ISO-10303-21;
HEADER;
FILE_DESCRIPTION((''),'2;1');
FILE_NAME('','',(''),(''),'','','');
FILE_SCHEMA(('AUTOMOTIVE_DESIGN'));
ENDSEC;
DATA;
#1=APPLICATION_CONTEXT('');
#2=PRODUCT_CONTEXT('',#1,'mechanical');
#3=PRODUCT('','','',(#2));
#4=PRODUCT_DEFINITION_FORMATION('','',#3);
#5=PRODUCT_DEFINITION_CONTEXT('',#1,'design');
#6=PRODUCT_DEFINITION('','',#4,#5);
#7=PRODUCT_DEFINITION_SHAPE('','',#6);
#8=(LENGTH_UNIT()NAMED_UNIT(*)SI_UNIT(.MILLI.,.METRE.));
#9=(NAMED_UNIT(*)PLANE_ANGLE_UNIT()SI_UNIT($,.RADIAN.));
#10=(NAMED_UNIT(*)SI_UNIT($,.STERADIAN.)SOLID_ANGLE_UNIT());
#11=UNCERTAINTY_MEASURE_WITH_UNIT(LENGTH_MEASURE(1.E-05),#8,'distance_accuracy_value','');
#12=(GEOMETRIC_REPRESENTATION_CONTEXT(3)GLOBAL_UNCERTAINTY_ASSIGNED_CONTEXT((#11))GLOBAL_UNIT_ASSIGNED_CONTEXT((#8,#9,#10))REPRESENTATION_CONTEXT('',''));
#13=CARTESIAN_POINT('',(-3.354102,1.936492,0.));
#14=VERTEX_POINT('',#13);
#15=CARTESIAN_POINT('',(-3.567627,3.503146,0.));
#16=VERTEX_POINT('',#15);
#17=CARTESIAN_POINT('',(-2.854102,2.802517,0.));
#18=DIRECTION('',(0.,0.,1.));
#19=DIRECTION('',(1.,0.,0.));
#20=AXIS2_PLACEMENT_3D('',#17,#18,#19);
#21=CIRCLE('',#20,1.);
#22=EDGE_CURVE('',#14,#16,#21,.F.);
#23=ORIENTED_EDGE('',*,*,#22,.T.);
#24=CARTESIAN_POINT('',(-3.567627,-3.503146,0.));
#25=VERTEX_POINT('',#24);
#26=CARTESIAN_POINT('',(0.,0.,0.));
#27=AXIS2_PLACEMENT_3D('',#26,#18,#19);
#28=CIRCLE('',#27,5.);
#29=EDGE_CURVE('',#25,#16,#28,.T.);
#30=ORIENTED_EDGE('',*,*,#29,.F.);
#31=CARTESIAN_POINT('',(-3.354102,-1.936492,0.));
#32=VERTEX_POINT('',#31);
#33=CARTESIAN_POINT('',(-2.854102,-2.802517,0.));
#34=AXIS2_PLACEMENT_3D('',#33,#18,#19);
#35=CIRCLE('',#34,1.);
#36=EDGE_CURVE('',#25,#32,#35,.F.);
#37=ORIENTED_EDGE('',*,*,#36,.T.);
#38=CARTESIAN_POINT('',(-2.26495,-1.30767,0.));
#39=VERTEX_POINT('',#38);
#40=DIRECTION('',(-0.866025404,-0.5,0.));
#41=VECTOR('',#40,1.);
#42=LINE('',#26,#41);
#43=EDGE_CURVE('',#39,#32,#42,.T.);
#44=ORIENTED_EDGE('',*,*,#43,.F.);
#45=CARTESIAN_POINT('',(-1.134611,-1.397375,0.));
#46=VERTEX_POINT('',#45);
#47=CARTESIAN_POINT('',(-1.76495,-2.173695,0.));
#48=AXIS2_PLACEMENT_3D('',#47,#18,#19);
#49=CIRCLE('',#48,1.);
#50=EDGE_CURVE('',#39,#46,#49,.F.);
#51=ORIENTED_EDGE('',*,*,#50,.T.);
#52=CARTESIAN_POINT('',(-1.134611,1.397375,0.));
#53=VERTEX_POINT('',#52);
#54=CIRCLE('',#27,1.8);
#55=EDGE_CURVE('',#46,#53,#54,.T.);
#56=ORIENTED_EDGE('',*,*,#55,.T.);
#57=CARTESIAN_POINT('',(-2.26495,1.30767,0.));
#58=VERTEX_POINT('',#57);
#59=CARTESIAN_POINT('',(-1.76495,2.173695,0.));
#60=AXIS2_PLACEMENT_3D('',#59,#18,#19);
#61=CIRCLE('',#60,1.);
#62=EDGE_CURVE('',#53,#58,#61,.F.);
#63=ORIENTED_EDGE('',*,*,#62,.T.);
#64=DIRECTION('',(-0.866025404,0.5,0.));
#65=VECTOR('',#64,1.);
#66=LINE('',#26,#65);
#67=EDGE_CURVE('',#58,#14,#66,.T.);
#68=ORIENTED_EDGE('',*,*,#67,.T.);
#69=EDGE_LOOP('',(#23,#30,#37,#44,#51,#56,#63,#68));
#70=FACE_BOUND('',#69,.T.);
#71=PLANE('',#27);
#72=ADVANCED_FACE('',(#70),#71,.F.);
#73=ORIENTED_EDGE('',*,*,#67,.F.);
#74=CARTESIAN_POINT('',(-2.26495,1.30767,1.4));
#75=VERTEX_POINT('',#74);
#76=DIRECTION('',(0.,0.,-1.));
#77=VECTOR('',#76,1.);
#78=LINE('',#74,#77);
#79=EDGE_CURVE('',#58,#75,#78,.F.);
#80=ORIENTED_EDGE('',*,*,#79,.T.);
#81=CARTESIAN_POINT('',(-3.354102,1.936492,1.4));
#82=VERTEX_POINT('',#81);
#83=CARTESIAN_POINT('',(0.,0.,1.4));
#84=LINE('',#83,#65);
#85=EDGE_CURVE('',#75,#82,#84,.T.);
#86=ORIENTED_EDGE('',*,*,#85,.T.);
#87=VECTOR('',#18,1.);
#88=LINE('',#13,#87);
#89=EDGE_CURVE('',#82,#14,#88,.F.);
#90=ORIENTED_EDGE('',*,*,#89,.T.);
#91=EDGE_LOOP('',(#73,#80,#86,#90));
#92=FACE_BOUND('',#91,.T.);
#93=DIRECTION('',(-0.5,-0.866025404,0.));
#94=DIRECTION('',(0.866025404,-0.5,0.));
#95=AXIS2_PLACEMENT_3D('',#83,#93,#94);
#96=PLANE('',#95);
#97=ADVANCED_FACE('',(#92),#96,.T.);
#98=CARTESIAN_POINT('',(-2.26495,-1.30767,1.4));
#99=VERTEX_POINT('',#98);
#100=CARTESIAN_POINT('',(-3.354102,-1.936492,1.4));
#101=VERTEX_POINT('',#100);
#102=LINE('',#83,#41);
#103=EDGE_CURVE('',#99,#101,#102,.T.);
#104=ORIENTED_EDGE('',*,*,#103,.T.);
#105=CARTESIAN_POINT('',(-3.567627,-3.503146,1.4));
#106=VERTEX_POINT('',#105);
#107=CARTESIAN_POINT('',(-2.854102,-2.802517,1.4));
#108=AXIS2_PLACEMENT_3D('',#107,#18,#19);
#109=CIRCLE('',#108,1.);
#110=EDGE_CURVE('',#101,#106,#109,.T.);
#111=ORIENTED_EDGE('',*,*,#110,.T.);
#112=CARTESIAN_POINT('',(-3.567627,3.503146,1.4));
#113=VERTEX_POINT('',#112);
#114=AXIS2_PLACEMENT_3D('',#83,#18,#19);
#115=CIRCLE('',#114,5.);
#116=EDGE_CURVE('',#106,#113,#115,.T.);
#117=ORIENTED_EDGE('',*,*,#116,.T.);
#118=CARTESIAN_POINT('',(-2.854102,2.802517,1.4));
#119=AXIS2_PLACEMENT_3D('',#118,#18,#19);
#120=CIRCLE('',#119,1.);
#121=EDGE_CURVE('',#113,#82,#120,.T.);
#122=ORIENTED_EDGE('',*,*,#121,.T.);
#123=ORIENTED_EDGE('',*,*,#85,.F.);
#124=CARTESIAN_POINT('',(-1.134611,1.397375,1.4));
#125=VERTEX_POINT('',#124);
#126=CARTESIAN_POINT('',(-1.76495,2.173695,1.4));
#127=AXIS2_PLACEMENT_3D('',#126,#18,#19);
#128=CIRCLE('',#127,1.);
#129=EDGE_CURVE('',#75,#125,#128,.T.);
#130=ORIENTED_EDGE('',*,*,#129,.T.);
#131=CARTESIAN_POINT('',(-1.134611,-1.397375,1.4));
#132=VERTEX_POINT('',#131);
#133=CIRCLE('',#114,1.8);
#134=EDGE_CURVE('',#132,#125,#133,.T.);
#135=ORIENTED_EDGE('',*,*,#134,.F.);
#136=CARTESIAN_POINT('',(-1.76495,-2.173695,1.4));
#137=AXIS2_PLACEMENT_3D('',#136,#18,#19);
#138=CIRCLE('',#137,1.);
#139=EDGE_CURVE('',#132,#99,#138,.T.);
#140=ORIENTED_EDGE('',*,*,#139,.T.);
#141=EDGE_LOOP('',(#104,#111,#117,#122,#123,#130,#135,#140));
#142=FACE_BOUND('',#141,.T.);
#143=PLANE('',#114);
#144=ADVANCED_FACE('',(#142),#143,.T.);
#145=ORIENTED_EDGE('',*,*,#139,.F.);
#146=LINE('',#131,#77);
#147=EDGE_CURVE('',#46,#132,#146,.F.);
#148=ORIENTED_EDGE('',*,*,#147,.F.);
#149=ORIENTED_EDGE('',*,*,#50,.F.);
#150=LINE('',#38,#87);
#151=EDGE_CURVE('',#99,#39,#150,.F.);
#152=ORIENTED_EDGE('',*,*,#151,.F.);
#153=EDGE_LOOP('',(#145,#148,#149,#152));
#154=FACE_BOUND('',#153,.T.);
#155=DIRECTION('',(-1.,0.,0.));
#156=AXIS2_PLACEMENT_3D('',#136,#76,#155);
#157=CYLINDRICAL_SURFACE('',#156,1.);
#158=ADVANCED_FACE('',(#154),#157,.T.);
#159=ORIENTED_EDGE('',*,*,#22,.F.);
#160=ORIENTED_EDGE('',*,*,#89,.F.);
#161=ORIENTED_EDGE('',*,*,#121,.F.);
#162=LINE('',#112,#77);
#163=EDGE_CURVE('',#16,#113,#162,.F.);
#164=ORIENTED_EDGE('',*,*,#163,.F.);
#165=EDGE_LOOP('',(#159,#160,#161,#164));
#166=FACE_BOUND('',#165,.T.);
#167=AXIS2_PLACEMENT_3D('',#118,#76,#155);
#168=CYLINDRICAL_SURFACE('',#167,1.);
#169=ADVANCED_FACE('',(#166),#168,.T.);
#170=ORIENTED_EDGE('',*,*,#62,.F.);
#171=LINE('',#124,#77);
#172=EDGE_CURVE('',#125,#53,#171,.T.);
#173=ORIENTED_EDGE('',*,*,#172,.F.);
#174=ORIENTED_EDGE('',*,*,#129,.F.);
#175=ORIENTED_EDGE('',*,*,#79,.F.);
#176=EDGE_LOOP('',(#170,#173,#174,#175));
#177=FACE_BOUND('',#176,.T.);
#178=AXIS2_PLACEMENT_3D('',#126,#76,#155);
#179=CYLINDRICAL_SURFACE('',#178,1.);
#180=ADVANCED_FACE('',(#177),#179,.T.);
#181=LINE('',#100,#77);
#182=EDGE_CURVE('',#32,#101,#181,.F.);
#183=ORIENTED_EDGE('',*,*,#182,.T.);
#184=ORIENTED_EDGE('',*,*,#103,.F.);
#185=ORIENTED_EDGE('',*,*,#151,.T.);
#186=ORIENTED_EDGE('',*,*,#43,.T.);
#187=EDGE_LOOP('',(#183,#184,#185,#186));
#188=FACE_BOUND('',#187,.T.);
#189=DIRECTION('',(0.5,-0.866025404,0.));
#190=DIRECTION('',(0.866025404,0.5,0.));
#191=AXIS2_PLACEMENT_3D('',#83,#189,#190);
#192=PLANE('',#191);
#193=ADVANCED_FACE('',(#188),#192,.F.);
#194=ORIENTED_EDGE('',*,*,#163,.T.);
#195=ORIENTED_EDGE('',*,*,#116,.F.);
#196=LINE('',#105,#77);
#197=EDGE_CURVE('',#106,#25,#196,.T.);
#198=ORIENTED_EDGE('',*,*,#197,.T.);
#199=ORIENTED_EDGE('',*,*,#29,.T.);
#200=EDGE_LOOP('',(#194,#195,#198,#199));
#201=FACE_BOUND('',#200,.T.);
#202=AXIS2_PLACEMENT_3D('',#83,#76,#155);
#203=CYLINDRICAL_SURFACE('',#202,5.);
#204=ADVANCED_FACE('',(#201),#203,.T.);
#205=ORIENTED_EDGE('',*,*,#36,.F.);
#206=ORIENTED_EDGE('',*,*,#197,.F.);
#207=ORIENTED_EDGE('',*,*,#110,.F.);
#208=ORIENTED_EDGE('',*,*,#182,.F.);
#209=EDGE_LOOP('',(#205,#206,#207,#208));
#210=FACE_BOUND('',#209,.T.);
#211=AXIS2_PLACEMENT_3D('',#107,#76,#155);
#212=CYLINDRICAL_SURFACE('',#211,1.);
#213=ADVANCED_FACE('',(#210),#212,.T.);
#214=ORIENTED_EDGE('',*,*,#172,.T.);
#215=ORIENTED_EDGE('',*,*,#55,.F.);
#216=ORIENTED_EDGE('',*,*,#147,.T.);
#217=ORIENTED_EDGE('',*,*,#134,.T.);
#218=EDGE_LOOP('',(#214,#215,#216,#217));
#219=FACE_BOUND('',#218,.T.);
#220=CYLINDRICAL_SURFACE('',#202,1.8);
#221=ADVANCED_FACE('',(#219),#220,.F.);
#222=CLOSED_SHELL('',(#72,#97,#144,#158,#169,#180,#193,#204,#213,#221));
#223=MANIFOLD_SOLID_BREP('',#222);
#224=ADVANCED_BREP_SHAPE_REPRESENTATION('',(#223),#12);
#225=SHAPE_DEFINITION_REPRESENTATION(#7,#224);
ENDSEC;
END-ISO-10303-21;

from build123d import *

# Parameters (mm, degrees)
BOSS_EXTRU_1_DEPTH = 1.4
CONG_1_R           = 1


with BuildPart() as part:
    # Esquisse1 → Boss.-Extru.1 (new body)
    with BuildSketch(Plane(origin=(0, 0, 0), x_dir=(0, 1, 0), z_dir=(0, 0, 1))):
        with BuildLine():
            ThreePointArc((1.8, 0), (-0.9, -1.558845727), (-0.9, 1.558845727))
            Line((-0.9, 1.558845727), (-2.5, 4.330127019))
            ThreePointArc((-2.5, 4.330127019), (-2.5, -4.330127019), (5, 0))
            ThreePointArc((5, 0), (4.330127019, 2.5), (2.5, 4.330127019))
            Line((2.5, 4.330127019), (0.9, 1.558845727))
            ThreePointArc((0.9, 1.558845727), (1.558845727, 0.9), (1.8, 0))
        make_face()
    extrude(amount=BOSS_EXTRU_1_DEPTH)

    # Congé1
    cong_1_edges = [part.edges().sort_by_distance(p)[0] for p in [
        (-1.558845727, -0.9, 0.7),
        (-1.558845727, 0.9, 0.7),
        (-4.330127019, 2.5, 0.7),
        (-4.330127019, -2.5, 0.7),
    ]]
    fillet(cong_1_edges, radius=CONG_1_R)


solid = part.part
